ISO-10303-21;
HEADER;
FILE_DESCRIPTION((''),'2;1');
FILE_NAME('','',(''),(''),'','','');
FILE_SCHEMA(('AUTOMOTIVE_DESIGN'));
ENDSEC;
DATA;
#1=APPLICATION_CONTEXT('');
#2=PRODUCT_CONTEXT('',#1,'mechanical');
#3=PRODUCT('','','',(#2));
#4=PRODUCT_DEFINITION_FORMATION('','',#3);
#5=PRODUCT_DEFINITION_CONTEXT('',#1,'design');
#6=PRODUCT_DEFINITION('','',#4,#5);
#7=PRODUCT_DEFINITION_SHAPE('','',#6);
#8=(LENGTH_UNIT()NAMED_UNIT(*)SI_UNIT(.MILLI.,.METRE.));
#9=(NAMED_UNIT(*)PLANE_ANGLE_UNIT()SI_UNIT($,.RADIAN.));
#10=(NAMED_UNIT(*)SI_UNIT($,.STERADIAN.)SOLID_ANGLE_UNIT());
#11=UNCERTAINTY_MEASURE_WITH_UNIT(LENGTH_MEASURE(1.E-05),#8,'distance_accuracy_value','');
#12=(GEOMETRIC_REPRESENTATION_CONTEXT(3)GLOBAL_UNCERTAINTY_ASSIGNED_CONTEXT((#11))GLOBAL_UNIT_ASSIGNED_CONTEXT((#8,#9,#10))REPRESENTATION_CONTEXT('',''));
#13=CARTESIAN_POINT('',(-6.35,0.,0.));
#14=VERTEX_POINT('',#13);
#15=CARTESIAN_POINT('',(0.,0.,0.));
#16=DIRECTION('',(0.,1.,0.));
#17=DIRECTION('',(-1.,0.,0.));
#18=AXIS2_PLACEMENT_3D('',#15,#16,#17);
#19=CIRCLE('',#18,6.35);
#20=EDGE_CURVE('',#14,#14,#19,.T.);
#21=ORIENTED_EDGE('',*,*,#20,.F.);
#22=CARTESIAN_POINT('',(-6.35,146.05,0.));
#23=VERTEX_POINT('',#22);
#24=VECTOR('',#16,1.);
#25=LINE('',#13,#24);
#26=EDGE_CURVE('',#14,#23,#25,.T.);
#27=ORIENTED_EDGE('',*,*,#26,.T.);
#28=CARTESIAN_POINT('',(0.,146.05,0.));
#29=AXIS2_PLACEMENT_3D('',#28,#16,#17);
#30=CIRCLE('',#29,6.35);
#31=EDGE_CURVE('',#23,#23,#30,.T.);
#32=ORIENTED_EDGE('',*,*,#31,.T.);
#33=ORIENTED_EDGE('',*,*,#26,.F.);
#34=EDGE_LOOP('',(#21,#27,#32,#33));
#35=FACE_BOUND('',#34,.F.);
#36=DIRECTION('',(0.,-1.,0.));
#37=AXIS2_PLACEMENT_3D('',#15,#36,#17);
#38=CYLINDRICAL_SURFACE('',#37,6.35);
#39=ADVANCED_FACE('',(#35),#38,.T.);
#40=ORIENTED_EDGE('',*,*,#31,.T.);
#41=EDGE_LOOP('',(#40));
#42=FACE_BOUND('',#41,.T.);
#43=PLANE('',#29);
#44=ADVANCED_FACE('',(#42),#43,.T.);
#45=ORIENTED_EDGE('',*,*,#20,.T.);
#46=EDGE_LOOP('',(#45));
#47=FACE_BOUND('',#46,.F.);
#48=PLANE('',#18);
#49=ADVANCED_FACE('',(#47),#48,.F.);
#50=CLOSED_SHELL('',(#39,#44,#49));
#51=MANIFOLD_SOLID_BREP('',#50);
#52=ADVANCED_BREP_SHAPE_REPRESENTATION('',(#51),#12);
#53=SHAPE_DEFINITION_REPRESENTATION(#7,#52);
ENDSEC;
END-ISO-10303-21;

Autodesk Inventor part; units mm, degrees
ref_plane "YZ Plane" through (0, 0, 0) normal (1, 0, 0) x (0, 1, 0)
ref_plane "XZ Plane" through (0, 0, 0) normal (0, 1, 0) x (-1, 0, 0)
ref_plane "XY Plane" through (0, 0, 0) normal (0, 0, 1) x (1, 0, 0)
sketch "Sketch1" plane through (0, 0, 0) normal (0, 1, 0) x (-1, 0, 0)
  circle A0 centre (0, 0) radius 6.35
  dimension "d0" = 12.7
extrude "Extrusion1" add sketch "Sketch1" along normal blind 146.05
properties part number "2f1ds" material "Acetal Resin, White"
